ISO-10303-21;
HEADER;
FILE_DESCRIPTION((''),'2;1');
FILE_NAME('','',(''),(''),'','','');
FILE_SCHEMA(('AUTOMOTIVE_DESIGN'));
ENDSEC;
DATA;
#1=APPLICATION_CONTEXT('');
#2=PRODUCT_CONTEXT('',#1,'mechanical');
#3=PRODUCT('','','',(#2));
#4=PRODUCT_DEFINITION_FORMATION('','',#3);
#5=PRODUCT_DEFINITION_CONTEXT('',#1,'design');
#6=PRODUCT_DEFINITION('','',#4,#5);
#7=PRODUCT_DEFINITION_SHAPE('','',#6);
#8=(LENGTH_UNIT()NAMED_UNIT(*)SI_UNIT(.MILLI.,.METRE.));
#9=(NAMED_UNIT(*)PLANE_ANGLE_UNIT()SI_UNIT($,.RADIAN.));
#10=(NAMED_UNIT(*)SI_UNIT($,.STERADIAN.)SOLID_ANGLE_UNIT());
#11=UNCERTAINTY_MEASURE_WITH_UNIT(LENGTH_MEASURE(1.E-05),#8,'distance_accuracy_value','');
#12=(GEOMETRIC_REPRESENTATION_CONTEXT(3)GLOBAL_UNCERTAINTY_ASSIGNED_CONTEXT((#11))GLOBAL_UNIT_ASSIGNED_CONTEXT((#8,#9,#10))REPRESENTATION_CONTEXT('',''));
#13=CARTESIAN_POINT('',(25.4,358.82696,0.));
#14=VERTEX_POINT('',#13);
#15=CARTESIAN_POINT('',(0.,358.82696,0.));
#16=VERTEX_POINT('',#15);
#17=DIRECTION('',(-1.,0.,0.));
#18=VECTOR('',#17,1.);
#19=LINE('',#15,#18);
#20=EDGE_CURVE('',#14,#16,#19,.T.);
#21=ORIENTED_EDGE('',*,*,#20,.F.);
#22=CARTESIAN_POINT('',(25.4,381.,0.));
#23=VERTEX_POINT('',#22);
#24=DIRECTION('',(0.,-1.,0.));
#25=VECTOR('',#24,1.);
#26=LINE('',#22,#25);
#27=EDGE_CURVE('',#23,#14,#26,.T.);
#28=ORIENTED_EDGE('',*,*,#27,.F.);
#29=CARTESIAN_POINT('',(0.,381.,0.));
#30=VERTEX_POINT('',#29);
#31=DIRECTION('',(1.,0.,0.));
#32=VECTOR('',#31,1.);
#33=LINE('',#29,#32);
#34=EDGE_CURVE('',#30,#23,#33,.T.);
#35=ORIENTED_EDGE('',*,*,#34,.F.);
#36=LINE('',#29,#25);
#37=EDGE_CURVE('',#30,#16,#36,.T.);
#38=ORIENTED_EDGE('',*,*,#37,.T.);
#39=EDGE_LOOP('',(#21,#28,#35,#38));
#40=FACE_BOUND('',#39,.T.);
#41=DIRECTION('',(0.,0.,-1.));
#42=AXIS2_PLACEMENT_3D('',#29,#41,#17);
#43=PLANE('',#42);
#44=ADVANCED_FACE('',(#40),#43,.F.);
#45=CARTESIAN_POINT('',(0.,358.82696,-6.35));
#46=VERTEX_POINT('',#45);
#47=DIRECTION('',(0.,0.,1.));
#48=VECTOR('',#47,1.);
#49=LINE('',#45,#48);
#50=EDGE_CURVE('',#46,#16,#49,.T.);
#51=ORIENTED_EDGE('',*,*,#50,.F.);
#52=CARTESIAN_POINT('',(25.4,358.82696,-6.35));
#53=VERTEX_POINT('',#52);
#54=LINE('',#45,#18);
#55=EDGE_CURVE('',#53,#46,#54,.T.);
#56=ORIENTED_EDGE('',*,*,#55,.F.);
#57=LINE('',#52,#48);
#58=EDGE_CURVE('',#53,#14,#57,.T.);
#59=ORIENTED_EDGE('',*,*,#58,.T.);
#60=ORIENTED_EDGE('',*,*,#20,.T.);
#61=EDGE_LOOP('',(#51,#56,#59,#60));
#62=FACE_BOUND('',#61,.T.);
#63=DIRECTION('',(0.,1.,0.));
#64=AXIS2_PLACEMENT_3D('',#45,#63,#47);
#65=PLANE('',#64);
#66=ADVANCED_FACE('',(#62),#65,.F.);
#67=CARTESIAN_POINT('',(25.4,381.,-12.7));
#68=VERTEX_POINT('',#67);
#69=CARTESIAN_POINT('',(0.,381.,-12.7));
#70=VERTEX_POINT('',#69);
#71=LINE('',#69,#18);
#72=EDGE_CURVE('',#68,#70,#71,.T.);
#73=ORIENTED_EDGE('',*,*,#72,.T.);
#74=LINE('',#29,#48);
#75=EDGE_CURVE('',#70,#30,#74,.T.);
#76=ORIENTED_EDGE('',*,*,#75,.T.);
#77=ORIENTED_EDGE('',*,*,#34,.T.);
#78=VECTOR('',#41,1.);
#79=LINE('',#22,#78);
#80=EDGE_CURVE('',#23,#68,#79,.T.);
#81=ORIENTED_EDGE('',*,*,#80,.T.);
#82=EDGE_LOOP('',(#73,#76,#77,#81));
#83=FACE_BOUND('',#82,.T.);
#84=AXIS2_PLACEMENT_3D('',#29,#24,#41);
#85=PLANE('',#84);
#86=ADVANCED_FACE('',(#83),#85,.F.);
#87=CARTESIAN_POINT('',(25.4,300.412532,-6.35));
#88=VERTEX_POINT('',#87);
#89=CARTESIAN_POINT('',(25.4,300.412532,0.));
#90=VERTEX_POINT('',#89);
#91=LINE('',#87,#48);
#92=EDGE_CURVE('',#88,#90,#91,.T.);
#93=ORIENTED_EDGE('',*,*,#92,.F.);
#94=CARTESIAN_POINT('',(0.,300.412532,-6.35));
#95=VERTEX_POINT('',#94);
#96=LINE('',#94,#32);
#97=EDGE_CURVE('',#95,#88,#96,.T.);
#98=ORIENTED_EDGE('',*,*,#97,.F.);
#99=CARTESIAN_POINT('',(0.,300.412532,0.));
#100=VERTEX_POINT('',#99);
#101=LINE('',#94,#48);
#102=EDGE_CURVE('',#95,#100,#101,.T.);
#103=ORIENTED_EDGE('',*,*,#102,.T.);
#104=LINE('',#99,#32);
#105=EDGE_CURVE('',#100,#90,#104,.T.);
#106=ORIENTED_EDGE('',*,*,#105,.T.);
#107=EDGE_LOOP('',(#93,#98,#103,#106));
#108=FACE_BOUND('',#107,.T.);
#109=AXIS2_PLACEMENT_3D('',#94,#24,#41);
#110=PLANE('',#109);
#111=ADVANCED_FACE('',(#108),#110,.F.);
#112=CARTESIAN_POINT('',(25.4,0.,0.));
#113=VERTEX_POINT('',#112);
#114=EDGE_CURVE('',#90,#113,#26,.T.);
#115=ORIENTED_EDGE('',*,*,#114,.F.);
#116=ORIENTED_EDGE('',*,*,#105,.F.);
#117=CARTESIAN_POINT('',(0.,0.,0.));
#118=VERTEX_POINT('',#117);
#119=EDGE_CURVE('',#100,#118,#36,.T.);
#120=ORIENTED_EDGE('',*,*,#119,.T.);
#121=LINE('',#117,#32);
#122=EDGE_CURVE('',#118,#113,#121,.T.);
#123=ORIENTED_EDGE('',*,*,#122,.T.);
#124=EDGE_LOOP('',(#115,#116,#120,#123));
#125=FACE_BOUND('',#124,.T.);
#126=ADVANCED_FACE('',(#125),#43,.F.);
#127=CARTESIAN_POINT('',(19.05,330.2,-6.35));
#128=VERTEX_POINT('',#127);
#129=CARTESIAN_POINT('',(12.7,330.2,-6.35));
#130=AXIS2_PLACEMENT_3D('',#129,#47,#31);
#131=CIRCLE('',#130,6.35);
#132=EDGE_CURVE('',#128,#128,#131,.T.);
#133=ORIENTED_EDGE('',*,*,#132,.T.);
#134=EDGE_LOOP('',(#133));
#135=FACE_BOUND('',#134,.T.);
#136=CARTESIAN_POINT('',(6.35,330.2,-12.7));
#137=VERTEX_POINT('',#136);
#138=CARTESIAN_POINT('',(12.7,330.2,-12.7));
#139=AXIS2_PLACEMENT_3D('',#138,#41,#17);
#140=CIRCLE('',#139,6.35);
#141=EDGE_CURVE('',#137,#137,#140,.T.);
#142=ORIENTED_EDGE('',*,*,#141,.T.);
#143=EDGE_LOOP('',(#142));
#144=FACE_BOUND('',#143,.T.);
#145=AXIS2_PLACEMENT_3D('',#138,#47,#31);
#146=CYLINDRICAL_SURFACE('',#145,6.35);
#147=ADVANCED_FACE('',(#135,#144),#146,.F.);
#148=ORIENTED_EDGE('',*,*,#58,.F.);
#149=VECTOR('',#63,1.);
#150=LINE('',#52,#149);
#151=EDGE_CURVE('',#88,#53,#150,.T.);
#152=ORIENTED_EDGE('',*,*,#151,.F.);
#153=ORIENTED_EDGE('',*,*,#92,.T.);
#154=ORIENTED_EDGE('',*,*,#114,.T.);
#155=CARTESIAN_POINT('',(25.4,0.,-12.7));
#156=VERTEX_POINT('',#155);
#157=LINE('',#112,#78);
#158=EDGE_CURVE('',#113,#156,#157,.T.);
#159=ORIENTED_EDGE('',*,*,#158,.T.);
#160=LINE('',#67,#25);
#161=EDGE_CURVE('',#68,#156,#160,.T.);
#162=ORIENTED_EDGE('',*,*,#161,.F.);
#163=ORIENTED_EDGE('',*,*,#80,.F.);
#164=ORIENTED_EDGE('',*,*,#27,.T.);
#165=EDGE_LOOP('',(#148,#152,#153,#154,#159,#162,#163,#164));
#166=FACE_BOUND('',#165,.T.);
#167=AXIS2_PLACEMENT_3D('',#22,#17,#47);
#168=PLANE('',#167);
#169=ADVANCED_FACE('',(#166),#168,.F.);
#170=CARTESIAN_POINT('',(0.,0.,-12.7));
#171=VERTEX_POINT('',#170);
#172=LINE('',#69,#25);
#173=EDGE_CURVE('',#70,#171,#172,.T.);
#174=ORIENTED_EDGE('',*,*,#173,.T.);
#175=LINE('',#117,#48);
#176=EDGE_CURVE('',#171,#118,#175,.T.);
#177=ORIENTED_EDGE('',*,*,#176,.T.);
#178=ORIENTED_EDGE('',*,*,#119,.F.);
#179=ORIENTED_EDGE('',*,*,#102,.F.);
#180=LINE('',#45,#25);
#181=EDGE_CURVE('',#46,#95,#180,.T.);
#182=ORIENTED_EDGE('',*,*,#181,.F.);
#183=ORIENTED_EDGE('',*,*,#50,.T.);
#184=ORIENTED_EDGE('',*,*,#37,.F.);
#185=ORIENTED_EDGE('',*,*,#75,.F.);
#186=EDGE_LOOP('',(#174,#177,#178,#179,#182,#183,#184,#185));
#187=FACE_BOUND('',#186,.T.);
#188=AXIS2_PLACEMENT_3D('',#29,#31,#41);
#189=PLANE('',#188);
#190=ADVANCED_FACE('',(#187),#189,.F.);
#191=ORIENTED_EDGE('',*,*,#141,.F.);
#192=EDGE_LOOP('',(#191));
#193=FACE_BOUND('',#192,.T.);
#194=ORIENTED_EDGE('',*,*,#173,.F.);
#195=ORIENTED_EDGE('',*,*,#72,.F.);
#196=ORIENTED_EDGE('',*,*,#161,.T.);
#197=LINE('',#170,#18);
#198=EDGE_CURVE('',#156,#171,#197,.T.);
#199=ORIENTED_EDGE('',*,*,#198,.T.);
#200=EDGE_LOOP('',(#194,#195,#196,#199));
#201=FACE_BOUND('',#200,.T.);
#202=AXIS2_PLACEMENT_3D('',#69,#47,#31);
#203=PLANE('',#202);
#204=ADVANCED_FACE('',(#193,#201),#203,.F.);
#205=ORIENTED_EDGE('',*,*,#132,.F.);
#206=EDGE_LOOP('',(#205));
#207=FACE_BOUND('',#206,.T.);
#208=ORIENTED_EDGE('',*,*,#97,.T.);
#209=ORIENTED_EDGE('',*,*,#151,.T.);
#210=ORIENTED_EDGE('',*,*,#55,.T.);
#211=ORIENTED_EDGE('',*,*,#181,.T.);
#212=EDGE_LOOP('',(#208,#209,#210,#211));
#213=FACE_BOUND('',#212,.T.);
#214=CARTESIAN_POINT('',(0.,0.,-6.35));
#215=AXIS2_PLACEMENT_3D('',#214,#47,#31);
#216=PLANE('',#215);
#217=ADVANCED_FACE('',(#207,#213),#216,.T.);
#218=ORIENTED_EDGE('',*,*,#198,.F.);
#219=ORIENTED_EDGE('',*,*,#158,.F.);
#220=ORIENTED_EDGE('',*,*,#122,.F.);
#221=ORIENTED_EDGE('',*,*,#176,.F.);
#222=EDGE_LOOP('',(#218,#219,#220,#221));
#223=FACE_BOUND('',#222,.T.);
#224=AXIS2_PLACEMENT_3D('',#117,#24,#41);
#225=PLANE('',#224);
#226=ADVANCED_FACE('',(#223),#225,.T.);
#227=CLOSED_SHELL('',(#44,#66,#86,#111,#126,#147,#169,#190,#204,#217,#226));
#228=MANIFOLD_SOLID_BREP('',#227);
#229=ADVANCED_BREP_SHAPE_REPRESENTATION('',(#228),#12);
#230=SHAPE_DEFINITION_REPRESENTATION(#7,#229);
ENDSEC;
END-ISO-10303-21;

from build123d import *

# Parameters (mm, degrees)
SKETCH1_W           = 25.4
SKETCH1_H           = 12.7
BOSS_EXTRUDE1_DEPTH = 381
SKETCH2_R           = 6.35
CUT_EXTRUDE1_DEPTH  = 383.056867495
SKETCH3_W           = 25.4
SKETCH3_H           = 58.414427835
CUT_EXTRUDE2_DEPTH  = 6.35


with BuildPart() as part:
    # Sketch1 → Boss-Extrude1 (new body)
    with BuildSketch(Plane(origin=(0, 0, 0), x_dir=(1, 0, 0), z_dir=(0, 1, 0))):
        with Locations((12.7, 6.35)):
            Rectangle(SKETCH1_W, SKETCH1_H)
    extrude(amount=BOSS_EXTRUDE1_DEPTH)

    # Sketch2 → Cut-Extrude1 (cut, through all)
    with BuildSketch(Plane.XY):
        with Locations(Location((12.7, 330.2, 0), (0, 0, 180))):
            Circle(SKETCH2_R)
    extrude(amount=-CUT_EXTRUDE1_DEPTH, mode=Mode.SUBTRACT)

    # Sketch3 → Cut-Extrude2 (cut)
    with BuildSketch(Plane.XY):
        with Locations((12.7, 329.619745597)):
            Rectangle(SKETCH3_W, SKETCH3_H)
    extrude(amount=-CUT_EXTRUDE2_DEPTH, mode=Mode.SUBTRACT)


solid = part.part
